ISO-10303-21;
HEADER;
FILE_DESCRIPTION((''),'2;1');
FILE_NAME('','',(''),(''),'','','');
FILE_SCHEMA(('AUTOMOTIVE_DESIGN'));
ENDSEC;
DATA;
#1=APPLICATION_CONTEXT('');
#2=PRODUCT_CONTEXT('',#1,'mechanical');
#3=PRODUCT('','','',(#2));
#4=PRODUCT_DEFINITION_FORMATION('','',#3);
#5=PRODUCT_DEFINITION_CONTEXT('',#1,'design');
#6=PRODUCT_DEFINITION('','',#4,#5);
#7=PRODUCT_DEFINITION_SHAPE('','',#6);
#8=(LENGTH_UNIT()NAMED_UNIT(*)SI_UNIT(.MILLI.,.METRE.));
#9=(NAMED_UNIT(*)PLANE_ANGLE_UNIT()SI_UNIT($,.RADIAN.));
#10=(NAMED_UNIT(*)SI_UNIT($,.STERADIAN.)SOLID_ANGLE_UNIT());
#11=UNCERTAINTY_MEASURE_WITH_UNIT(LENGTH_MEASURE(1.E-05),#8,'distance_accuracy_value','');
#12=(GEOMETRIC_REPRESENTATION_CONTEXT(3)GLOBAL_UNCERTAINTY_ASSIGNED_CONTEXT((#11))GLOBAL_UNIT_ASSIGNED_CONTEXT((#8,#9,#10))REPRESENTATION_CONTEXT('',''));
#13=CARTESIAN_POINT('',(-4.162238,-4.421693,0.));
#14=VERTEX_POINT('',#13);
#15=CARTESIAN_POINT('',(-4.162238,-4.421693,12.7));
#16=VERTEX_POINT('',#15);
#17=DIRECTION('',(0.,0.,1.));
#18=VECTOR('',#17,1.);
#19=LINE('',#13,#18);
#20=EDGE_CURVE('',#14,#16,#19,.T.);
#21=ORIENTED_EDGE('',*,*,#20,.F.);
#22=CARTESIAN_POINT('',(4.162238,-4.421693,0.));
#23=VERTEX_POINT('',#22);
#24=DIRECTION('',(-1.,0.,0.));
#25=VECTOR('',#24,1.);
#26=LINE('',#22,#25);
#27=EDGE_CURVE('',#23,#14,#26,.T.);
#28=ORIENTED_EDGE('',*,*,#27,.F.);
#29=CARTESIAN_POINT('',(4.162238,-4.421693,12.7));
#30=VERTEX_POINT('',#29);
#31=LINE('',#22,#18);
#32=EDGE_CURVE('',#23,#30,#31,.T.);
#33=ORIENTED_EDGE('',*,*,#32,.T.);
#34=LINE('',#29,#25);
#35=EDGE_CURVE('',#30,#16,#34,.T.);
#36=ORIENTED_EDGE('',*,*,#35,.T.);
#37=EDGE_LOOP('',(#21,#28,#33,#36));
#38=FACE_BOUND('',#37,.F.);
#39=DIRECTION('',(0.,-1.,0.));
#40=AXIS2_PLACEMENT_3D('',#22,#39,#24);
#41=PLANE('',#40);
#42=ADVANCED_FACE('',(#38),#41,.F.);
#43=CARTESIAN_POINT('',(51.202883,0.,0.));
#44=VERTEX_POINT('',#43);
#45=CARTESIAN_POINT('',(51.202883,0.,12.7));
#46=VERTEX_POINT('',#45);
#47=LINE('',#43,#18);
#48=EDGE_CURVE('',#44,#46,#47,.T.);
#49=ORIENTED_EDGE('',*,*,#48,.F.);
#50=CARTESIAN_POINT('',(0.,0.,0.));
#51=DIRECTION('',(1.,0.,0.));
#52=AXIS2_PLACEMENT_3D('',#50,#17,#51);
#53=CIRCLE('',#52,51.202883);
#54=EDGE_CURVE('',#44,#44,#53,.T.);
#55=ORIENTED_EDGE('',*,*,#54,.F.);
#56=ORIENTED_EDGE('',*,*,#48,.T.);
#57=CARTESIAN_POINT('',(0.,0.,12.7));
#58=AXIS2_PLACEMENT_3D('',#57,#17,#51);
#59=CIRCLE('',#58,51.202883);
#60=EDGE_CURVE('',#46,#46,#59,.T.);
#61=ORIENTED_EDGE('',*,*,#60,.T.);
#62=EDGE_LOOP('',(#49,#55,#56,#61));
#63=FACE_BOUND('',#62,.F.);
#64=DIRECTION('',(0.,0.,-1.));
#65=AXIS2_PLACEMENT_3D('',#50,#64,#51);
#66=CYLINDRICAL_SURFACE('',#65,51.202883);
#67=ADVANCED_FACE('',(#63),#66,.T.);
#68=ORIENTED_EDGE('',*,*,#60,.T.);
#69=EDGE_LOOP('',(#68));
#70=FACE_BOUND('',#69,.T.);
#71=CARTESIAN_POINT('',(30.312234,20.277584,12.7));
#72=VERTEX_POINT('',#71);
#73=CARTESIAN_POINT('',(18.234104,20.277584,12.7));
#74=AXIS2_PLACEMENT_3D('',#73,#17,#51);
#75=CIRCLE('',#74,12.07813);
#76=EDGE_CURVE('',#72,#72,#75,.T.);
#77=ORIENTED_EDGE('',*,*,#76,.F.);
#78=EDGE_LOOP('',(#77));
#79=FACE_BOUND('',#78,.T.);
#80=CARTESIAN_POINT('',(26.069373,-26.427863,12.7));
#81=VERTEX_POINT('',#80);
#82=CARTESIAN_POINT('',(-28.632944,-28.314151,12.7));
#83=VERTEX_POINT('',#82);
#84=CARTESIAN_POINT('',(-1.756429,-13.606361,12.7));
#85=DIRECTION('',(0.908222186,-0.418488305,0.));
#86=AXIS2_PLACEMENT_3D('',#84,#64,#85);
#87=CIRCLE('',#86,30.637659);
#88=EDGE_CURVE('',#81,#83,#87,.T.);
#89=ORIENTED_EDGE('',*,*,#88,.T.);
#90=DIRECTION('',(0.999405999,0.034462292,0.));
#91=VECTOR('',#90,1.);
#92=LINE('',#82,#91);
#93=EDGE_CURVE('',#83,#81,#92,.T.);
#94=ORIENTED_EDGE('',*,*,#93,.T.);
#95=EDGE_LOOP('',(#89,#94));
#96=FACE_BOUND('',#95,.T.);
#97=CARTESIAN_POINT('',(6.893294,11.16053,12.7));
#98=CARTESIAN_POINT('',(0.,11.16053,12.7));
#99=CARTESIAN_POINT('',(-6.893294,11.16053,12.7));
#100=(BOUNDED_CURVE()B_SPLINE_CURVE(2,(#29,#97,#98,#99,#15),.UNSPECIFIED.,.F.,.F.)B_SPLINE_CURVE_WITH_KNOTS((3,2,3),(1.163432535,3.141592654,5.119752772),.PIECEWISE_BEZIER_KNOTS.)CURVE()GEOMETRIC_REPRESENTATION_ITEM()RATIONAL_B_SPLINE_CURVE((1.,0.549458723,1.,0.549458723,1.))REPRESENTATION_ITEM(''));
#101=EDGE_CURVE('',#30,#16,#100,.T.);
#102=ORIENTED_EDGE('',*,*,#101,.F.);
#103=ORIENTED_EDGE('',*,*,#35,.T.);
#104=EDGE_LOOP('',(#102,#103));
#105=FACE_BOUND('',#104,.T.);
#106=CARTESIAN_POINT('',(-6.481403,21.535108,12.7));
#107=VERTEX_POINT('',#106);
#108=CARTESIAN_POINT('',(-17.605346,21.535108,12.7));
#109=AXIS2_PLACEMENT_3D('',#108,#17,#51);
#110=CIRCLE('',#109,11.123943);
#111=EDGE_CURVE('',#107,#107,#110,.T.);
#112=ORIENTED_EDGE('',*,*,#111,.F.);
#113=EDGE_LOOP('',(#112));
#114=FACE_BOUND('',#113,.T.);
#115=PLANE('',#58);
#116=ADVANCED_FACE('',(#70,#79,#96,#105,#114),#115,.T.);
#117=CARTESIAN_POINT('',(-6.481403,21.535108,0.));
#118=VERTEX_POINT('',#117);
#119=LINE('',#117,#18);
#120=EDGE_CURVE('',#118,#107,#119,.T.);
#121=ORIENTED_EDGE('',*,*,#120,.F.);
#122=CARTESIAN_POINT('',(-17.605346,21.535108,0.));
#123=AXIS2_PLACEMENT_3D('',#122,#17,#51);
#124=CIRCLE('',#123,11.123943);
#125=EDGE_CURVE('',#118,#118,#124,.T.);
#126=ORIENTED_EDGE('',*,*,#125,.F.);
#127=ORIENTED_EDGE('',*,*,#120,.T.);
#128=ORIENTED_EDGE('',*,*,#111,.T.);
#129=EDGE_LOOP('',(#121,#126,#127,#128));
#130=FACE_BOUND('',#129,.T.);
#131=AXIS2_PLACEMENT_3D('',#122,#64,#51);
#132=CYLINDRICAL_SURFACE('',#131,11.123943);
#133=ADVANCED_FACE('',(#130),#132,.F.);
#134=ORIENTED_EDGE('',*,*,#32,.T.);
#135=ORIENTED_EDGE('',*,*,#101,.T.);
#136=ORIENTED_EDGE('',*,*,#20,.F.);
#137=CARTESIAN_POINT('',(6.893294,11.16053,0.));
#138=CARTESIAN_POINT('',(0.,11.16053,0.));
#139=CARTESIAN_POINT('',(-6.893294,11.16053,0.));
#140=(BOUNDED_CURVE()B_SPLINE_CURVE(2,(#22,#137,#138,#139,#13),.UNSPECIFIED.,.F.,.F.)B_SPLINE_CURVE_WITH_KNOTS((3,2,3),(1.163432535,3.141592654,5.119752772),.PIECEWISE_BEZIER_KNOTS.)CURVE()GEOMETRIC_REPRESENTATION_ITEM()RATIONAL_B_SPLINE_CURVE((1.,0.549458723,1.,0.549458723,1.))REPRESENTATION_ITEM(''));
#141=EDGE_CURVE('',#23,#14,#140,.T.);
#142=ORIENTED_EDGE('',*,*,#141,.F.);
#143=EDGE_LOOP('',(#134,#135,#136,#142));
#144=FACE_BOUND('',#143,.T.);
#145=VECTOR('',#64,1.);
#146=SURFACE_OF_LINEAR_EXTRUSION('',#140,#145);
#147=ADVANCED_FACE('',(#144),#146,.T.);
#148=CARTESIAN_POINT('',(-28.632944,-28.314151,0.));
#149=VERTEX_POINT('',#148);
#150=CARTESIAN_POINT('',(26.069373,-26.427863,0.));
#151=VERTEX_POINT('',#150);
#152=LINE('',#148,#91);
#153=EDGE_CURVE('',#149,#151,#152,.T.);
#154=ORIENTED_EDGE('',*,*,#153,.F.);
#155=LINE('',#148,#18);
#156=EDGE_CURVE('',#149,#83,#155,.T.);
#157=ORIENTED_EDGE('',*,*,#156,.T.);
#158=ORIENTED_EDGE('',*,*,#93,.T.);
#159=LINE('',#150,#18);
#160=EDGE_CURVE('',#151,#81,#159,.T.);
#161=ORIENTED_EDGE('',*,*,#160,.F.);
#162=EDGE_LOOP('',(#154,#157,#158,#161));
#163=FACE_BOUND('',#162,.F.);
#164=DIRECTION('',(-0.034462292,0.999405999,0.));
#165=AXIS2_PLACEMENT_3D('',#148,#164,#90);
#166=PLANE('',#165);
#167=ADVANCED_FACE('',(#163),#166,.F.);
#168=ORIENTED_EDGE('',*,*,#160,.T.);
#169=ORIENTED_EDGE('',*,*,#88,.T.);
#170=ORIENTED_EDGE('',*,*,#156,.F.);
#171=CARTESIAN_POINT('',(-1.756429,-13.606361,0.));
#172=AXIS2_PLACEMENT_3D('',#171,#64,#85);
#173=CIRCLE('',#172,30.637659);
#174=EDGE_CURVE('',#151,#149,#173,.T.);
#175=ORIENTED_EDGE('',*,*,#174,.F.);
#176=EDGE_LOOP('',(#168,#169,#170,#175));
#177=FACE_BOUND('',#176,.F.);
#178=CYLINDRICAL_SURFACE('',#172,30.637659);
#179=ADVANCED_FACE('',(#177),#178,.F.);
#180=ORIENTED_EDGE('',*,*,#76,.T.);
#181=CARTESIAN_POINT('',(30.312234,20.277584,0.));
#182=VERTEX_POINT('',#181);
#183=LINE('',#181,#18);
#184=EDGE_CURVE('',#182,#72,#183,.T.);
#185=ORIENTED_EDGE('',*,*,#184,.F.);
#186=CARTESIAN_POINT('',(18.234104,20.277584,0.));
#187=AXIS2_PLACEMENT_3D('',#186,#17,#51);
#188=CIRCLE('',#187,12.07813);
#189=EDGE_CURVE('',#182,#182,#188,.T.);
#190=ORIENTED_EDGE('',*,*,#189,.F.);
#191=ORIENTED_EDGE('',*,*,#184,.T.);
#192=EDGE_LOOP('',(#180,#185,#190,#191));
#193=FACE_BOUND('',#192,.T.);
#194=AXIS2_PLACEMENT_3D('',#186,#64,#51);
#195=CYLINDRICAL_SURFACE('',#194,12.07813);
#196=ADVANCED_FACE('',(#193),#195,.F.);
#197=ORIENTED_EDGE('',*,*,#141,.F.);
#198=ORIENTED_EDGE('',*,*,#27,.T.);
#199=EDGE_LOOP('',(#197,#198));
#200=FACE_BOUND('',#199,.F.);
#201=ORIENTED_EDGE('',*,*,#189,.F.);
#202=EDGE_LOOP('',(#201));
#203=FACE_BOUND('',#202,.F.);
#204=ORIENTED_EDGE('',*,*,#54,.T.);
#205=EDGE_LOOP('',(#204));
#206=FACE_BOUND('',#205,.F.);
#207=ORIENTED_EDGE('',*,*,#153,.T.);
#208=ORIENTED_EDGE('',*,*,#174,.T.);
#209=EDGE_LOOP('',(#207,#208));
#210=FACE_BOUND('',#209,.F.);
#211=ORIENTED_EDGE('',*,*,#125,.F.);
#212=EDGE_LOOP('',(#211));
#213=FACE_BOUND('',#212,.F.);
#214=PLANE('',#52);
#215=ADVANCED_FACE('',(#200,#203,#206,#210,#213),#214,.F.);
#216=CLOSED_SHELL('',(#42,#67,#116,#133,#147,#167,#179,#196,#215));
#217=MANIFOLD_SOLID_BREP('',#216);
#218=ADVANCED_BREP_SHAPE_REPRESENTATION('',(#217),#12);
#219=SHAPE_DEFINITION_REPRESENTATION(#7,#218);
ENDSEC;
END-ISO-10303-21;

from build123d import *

# Parameters (mm, degrees)
F0_R     = 51.2028826098
F0_R_2   = 11.123942978
F0_R_3   = 12.0781304444
F1_DEPTH = 12.7


with BuildPart() as f1:
    # F0 (on Top) → F1 (new body)
    with BuildSketch(Plane.XY):
        Circle(F0_R)
        with BuildLine():
            ThreePointArc((26.0693728924, -26.4278631657), (-0.7005850014, -44.2258215238), (-28.6329444498, -28.3141508698))
            Line((-28.6329444498, -28.3141508698), (26.0693728924, -26.4278631657))
        make_face(mode=Mode.SUBTRACT)
        with BuildLine():
            add(Edge.make_bspline(
                [(4.1622381729, -4.4216929377), (6.8932937771, 11.1605301499), (0, 11.1605301499), (-6.8932937771, 11.1605301499), (-4.1622381729, -4.4216929377)],
                knots=[1.1634325355, 1.1634325355, 1.1634325355, 3.1415926536, 3.1415926536, 5.1197527717, 5.1197527717, 5.1197527717], degree=2, weights=[1, 0.5494587228, 1, 0.5494587228, 1]))
            Line((4.1622381729, -4.4216929377), (-4.1622381729, -4.4216929377))
        make_face(mode=Mode.SUBTRACT)
        with Locations((-17.6053456962, 21.5351078659)):
            Circle(F0_R_2, mode=Mode.SUBTRACT)
        with Locations((18.2341039181, 20.2775839716)):
            Circle(F0_R_3, mode=Mode.SUBTRACT)
    extrude(amount=F1_DEPTH)


solid = f1.part
